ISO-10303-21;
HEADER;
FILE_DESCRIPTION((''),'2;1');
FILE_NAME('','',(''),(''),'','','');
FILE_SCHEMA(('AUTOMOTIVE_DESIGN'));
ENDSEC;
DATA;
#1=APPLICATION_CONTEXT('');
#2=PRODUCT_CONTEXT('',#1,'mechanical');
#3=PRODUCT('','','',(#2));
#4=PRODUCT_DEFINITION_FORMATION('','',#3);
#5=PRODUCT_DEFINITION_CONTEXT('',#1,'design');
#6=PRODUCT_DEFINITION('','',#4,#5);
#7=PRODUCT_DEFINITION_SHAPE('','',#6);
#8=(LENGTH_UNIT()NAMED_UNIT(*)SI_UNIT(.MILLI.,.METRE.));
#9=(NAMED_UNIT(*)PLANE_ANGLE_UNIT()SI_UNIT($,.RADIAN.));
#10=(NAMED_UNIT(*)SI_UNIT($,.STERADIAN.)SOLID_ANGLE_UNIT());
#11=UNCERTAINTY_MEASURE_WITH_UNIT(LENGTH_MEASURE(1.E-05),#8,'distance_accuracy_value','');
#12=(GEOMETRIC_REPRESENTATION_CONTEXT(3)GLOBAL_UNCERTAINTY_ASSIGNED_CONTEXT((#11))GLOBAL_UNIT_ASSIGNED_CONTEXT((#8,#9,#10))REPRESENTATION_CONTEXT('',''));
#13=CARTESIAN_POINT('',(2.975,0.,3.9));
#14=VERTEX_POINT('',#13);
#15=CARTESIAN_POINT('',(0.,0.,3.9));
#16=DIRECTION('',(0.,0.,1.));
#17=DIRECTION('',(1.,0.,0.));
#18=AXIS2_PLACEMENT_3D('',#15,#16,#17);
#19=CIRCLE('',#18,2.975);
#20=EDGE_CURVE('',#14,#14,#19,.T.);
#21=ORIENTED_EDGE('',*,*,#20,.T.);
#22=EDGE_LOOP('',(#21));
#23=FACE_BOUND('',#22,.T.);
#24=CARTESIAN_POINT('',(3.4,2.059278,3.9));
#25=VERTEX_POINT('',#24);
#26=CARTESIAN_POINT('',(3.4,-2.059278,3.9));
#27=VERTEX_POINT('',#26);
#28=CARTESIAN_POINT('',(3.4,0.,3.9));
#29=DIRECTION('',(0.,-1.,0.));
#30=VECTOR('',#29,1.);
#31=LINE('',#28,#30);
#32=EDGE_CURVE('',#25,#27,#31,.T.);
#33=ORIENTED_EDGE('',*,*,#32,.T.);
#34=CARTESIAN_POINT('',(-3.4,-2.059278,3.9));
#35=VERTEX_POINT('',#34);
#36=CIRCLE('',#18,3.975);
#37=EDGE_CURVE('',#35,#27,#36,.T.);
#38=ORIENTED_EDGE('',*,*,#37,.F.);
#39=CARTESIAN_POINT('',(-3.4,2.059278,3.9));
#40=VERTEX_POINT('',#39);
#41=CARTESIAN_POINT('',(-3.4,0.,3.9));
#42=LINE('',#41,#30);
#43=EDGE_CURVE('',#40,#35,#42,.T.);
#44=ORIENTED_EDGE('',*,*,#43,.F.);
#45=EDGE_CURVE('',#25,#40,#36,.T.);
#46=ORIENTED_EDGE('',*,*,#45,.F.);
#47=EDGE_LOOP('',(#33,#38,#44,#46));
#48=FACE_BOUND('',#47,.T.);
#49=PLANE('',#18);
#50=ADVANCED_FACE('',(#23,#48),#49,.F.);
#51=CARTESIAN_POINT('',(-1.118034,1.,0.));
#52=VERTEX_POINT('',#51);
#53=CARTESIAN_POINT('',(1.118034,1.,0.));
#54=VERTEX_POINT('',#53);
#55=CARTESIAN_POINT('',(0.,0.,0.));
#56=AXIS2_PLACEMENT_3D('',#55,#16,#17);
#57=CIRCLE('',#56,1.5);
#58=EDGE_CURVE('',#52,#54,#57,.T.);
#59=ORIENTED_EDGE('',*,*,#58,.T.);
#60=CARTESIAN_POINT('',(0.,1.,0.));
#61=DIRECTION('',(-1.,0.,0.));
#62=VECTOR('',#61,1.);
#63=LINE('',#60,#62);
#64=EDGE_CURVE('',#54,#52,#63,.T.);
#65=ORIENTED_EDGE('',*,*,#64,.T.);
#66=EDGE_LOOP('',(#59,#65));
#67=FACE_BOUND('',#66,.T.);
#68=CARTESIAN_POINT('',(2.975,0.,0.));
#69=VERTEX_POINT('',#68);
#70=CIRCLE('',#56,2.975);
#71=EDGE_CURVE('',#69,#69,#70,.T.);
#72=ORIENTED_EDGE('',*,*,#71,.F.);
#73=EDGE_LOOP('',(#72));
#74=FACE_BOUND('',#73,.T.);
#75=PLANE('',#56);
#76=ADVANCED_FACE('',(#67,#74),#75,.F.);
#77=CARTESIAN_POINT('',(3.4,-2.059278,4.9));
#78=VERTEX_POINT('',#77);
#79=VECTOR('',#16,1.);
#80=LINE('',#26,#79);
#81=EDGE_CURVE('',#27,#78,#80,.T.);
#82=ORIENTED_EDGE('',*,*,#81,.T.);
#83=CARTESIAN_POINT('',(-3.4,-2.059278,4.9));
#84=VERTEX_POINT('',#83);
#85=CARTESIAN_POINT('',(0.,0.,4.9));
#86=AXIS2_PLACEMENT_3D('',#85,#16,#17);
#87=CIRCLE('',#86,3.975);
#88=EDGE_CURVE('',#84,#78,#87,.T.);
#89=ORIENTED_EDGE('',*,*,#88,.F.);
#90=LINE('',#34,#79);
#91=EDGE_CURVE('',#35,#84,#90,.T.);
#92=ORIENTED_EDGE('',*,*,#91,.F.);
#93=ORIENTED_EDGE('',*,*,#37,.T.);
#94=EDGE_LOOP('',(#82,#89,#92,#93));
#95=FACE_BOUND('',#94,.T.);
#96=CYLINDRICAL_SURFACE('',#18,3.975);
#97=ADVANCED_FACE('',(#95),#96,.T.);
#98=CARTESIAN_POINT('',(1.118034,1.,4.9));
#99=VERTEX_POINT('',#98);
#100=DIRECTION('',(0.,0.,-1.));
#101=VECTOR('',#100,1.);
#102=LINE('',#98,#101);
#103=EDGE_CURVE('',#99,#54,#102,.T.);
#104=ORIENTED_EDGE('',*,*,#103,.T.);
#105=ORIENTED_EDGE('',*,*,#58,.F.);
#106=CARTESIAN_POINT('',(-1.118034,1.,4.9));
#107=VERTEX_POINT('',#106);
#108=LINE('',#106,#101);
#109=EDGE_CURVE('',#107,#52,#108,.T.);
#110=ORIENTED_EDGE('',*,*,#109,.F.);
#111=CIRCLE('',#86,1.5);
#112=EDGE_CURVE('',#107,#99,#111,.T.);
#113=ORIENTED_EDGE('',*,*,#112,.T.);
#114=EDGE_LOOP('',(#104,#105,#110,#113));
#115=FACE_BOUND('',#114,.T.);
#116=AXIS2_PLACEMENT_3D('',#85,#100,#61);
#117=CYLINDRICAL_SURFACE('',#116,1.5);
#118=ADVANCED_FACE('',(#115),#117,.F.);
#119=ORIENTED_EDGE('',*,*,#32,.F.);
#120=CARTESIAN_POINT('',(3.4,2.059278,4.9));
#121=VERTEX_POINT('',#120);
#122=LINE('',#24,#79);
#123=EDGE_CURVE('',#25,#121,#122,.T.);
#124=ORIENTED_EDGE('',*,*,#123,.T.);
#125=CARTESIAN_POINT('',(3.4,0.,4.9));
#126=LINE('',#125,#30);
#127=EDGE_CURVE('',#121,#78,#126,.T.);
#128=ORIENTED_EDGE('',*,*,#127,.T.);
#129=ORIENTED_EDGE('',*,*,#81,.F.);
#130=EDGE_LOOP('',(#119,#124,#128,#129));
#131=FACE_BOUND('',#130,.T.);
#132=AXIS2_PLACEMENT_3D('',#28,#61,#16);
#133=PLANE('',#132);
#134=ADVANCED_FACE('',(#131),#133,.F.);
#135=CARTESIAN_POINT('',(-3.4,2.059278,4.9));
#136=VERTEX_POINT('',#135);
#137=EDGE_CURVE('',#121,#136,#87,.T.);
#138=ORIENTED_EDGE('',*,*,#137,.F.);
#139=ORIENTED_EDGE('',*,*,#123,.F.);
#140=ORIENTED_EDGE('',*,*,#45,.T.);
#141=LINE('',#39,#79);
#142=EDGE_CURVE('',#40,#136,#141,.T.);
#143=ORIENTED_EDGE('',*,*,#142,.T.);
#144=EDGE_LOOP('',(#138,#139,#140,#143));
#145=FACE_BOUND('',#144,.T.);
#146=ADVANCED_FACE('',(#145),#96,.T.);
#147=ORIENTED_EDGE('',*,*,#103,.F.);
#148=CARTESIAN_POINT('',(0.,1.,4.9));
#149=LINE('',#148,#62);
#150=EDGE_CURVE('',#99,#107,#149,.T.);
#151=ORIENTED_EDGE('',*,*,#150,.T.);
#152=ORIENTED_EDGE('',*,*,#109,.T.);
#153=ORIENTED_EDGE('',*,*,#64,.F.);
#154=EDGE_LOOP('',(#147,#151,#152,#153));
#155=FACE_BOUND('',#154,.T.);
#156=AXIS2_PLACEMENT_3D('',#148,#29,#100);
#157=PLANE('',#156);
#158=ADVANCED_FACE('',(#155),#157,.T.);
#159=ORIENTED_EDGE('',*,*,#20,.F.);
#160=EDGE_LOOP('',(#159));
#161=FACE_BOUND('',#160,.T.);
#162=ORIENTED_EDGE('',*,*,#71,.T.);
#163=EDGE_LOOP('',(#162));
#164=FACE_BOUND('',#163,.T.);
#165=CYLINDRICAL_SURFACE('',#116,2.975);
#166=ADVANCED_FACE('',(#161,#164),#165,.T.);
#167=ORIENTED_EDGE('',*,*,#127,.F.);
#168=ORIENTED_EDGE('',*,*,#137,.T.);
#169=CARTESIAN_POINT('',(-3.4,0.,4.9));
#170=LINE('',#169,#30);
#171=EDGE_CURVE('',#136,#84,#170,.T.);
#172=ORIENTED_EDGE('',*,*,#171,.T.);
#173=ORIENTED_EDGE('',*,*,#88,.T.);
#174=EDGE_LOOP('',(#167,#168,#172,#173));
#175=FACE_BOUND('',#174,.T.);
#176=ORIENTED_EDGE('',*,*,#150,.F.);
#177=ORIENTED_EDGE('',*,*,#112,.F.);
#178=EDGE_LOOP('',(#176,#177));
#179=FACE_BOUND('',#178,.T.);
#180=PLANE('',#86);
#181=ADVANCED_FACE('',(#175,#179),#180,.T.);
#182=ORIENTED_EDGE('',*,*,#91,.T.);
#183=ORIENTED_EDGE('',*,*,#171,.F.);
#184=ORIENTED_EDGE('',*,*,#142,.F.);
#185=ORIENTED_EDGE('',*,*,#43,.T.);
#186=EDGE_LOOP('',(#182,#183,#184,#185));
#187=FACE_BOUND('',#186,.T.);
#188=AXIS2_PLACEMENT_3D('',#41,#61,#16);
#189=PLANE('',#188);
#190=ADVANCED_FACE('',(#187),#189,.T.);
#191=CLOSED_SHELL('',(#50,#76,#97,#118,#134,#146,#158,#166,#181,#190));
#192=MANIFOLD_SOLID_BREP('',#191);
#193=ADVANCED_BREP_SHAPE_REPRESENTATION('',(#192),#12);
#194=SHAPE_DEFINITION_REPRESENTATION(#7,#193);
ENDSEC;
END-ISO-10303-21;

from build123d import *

# Parameters (mm, degrees)
SKETCH1_R           = 2.975
BOSS_EXTRUDE1_DEPTH = 4.9
BOSS_EXTRUDE2_START = -1
SKETCH2_R           = 2.975
BOSS_EXTRUDE2_DEPTH = 1


with BuildPart() as part:
    # Sketch1 → Boss-Extrude1 (new body)
    with BuildSketch(Plane.XY):
        Circle(SKETCH1_R)
        with BuildLine():
            Line((-1.118033989, 1), (1.118033989, 1))
            ThreePointArc((1.118033989, 1), (0, -1.5), (-1.118033989, 1))
        make_face(mode=Mode.SUBTRACT)
    extrude(amount=BOSS_EXTRUDE1_DEPTH)

    # Sketch2 → Boss-Extrude2 (add)
    with BuildSketch(Plane.XY.offset(4.9).offset(BOSS_EXTRUDE2_START)):
        with BuildLine():
            Line((3.4, -2.059277786), (3.4, 2.059277786))
            ThreePointArc((3.4, 2.059277786), (0, 3.975), (-3.4, 2.059277786))
            Line((-3.4, 2.059277786), (-3.4, -2.059277786))
            ThreePointArc((-3.4, -2.059277786), (0, -3.975), (3.4, -2.059277786))
        make_face()
        Circle(SKETCH2_R, mode=Mode.SUBTRACT)
    extrude(amount=BOSS_EXTRUDE2_DEPTH)


solid = part.part
